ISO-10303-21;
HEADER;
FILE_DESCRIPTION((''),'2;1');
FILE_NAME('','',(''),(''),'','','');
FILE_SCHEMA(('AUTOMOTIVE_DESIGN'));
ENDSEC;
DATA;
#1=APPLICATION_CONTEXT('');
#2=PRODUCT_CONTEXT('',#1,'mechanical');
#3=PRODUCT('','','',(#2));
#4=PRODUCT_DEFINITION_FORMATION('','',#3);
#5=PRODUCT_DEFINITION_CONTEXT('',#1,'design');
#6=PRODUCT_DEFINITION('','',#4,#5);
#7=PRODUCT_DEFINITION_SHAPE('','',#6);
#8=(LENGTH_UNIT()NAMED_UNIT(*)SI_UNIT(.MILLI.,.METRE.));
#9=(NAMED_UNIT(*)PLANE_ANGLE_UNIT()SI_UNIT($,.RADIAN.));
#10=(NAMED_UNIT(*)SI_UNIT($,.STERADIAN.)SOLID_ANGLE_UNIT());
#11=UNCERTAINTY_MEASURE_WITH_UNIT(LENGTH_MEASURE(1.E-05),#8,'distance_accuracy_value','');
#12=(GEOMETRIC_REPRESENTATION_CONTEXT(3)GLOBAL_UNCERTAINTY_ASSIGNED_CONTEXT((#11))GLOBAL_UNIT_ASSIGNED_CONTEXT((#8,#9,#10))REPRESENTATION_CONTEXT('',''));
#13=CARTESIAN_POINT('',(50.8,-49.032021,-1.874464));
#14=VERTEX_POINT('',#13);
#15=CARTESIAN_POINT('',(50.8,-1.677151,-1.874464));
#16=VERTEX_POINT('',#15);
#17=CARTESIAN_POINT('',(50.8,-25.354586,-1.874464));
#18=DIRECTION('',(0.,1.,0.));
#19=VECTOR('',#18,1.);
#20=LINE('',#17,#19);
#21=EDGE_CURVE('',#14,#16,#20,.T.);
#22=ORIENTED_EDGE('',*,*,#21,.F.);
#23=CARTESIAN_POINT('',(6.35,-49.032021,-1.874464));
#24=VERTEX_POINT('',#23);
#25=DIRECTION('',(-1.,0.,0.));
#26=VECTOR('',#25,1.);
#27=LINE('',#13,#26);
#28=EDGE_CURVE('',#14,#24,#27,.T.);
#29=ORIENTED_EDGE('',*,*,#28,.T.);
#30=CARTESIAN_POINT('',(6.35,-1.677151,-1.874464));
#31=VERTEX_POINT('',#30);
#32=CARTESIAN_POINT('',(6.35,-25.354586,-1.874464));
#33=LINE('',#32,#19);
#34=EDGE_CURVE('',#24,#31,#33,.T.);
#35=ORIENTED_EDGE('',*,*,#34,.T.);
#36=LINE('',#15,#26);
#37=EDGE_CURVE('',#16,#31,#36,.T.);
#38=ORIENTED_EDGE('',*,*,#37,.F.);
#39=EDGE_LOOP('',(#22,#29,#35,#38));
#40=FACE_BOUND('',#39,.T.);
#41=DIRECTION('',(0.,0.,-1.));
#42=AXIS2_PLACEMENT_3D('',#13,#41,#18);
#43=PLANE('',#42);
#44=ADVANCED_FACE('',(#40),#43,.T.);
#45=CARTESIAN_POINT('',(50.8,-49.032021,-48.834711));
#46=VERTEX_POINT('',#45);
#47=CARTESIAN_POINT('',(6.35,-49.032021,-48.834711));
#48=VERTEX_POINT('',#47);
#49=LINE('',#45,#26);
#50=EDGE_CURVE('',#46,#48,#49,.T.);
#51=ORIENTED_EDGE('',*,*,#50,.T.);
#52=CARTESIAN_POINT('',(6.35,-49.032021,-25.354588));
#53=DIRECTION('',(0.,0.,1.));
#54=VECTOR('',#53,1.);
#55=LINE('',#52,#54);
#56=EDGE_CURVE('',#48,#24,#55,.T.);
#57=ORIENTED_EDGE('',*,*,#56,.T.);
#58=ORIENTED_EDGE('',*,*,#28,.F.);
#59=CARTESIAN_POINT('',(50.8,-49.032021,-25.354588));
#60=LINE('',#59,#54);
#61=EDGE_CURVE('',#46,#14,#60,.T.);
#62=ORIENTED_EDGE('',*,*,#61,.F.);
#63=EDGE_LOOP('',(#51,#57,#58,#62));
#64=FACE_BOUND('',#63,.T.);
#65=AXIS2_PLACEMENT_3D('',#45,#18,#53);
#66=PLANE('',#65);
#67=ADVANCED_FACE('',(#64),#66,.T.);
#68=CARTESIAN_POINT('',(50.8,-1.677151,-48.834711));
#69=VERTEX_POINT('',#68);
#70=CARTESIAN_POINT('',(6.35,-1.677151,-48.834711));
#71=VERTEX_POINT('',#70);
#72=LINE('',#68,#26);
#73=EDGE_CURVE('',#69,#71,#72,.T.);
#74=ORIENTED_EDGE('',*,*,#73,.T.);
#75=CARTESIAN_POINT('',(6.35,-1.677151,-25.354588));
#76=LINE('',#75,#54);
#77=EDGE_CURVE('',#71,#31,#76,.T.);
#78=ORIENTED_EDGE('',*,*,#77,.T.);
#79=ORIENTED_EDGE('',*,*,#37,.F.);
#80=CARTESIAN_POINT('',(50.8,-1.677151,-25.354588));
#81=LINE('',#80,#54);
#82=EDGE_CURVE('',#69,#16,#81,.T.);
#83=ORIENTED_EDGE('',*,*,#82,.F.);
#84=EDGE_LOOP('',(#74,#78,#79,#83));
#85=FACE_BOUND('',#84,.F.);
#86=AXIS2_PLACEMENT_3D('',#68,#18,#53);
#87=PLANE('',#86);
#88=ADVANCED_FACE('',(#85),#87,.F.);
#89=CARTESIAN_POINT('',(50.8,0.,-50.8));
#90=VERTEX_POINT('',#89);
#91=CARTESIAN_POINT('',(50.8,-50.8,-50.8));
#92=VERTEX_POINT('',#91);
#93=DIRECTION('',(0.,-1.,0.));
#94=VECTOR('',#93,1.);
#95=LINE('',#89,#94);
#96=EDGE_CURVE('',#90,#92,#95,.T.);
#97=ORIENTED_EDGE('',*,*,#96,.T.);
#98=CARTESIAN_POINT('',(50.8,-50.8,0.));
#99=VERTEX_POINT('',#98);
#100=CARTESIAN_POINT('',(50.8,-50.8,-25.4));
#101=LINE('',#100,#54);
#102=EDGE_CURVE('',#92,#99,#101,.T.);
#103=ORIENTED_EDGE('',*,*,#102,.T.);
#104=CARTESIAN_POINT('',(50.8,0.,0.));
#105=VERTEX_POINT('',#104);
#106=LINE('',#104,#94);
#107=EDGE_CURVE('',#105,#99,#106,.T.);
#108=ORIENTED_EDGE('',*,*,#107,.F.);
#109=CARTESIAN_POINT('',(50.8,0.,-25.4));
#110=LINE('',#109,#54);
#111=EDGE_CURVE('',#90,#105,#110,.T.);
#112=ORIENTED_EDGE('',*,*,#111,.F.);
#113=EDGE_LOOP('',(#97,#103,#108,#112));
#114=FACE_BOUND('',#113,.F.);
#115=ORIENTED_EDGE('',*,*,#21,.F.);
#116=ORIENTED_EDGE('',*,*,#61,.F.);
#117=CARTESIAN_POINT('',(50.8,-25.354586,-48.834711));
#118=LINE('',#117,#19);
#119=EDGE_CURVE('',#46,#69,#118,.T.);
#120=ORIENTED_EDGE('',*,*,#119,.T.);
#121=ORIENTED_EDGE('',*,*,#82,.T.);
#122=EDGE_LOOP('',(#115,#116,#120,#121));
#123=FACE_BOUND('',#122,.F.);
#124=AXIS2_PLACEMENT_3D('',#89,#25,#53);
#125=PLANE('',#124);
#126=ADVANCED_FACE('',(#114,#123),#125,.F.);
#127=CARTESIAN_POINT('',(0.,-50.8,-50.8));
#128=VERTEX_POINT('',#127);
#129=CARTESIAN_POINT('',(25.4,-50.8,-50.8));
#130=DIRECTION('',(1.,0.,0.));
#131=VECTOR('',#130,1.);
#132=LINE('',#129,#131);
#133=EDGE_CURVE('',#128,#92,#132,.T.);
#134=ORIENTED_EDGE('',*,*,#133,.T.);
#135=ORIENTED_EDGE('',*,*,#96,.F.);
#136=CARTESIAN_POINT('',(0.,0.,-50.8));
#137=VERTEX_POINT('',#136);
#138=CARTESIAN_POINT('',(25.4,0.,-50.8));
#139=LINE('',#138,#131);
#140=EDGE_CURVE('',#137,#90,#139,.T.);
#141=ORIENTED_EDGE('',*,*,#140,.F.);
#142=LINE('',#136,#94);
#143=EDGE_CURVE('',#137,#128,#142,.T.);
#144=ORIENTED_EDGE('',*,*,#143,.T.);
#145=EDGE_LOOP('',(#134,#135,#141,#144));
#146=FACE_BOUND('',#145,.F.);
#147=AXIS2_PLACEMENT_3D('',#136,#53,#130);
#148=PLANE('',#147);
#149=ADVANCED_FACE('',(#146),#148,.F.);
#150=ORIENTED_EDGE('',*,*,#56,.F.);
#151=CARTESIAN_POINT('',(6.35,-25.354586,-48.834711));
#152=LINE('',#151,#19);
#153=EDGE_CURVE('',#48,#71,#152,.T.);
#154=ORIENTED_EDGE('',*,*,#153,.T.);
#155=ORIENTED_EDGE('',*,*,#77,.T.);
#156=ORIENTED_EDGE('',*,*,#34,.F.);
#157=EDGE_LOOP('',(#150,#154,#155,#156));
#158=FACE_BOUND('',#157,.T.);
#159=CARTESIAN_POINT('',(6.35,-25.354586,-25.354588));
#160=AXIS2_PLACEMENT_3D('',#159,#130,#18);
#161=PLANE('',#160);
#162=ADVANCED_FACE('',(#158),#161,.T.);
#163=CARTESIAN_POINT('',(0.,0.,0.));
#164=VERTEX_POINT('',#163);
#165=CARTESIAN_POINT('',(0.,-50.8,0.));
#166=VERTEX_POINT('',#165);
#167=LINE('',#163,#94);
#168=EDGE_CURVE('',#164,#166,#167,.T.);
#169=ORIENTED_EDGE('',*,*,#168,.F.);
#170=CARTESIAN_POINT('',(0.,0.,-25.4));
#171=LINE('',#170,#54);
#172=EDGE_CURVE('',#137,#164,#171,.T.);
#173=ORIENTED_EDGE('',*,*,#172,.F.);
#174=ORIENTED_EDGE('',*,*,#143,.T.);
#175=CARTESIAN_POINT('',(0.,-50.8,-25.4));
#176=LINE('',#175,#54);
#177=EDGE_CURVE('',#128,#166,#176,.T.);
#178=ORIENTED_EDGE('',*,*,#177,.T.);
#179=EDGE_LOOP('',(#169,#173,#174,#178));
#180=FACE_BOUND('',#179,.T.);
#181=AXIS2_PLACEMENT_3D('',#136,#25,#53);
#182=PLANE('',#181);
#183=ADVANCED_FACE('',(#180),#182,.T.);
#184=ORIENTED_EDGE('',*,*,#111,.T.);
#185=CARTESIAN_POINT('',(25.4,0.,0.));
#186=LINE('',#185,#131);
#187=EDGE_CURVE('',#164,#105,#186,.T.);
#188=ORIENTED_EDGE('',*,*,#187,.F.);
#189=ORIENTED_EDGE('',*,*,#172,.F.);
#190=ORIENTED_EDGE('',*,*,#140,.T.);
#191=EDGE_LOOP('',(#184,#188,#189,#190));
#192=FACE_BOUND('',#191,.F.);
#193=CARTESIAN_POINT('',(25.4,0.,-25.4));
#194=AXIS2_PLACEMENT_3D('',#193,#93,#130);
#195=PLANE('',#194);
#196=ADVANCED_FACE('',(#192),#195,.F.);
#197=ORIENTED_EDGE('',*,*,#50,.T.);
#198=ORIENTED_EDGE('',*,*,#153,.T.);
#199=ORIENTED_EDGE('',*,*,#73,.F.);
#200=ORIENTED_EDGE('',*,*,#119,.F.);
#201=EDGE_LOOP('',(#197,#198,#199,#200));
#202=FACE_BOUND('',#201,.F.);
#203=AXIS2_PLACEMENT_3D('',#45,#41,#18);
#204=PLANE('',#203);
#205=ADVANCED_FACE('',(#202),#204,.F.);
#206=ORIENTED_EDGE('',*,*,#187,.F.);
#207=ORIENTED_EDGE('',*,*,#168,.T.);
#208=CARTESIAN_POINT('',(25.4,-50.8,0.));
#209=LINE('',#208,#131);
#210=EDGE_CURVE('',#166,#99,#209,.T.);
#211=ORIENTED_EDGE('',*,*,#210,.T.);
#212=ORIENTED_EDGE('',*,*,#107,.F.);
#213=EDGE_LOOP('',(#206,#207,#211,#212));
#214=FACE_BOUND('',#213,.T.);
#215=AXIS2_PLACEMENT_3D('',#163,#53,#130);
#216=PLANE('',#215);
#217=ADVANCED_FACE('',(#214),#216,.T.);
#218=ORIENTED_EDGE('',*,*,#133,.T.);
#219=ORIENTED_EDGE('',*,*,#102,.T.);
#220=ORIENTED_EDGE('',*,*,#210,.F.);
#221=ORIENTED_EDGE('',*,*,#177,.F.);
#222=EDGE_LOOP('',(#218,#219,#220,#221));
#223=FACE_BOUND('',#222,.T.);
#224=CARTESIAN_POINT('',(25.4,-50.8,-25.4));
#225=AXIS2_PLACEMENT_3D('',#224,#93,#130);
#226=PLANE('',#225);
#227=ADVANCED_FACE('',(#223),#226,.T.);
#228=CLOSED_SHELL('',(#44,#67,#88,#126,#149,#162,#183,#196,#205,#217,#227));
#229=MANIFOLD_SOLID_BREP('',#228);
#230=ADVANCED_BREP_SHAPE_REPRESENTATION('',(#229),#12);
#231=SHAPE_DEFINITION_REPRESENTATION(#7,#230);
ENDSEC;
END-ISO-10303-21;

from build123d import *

# Parameters (mm, degrees)
F0_W     = 50.8
F0_H     = 50.8
F1_DEPTH = 50.8
F2_W     = 46.3804
F2_H     = 46.7614
F3_DEPTH = 44.45
F4_W     = 47.35487
F4_H     = 46.960247
F5_DEPTH = 44.45


with BuildPart() as f1:
    # F0 (on Front) → F1 (new body)
    with BuildSketch(Plane.XZ):
        with Locations((25.4, -25.4)):
            Rectangle(F0_W, F0_H)
    extrude(amount=F1_DEPTH)

    # F2 (on Right) → F3 (cut)
    with BuildSketch(Plane.YZ):
        with Locations((-25.459287, -25.454011)):
            Rectangle(F2_W, F2_H)
    extrude(amount=-F3_DEPTH, mode=Mode.SUBTRACT)

    # F4 (on face) → F5 (cut)
    with BuildSketch(Plane.YZ.offset(50.8)):
        with Locations((-25.354586, -25.354588)):
            Rectangle(F4_W, F4_H)
    extrude(amount=-F5_DEPTH, mode=Mode.SUBTRACT)


solid = f1.part
